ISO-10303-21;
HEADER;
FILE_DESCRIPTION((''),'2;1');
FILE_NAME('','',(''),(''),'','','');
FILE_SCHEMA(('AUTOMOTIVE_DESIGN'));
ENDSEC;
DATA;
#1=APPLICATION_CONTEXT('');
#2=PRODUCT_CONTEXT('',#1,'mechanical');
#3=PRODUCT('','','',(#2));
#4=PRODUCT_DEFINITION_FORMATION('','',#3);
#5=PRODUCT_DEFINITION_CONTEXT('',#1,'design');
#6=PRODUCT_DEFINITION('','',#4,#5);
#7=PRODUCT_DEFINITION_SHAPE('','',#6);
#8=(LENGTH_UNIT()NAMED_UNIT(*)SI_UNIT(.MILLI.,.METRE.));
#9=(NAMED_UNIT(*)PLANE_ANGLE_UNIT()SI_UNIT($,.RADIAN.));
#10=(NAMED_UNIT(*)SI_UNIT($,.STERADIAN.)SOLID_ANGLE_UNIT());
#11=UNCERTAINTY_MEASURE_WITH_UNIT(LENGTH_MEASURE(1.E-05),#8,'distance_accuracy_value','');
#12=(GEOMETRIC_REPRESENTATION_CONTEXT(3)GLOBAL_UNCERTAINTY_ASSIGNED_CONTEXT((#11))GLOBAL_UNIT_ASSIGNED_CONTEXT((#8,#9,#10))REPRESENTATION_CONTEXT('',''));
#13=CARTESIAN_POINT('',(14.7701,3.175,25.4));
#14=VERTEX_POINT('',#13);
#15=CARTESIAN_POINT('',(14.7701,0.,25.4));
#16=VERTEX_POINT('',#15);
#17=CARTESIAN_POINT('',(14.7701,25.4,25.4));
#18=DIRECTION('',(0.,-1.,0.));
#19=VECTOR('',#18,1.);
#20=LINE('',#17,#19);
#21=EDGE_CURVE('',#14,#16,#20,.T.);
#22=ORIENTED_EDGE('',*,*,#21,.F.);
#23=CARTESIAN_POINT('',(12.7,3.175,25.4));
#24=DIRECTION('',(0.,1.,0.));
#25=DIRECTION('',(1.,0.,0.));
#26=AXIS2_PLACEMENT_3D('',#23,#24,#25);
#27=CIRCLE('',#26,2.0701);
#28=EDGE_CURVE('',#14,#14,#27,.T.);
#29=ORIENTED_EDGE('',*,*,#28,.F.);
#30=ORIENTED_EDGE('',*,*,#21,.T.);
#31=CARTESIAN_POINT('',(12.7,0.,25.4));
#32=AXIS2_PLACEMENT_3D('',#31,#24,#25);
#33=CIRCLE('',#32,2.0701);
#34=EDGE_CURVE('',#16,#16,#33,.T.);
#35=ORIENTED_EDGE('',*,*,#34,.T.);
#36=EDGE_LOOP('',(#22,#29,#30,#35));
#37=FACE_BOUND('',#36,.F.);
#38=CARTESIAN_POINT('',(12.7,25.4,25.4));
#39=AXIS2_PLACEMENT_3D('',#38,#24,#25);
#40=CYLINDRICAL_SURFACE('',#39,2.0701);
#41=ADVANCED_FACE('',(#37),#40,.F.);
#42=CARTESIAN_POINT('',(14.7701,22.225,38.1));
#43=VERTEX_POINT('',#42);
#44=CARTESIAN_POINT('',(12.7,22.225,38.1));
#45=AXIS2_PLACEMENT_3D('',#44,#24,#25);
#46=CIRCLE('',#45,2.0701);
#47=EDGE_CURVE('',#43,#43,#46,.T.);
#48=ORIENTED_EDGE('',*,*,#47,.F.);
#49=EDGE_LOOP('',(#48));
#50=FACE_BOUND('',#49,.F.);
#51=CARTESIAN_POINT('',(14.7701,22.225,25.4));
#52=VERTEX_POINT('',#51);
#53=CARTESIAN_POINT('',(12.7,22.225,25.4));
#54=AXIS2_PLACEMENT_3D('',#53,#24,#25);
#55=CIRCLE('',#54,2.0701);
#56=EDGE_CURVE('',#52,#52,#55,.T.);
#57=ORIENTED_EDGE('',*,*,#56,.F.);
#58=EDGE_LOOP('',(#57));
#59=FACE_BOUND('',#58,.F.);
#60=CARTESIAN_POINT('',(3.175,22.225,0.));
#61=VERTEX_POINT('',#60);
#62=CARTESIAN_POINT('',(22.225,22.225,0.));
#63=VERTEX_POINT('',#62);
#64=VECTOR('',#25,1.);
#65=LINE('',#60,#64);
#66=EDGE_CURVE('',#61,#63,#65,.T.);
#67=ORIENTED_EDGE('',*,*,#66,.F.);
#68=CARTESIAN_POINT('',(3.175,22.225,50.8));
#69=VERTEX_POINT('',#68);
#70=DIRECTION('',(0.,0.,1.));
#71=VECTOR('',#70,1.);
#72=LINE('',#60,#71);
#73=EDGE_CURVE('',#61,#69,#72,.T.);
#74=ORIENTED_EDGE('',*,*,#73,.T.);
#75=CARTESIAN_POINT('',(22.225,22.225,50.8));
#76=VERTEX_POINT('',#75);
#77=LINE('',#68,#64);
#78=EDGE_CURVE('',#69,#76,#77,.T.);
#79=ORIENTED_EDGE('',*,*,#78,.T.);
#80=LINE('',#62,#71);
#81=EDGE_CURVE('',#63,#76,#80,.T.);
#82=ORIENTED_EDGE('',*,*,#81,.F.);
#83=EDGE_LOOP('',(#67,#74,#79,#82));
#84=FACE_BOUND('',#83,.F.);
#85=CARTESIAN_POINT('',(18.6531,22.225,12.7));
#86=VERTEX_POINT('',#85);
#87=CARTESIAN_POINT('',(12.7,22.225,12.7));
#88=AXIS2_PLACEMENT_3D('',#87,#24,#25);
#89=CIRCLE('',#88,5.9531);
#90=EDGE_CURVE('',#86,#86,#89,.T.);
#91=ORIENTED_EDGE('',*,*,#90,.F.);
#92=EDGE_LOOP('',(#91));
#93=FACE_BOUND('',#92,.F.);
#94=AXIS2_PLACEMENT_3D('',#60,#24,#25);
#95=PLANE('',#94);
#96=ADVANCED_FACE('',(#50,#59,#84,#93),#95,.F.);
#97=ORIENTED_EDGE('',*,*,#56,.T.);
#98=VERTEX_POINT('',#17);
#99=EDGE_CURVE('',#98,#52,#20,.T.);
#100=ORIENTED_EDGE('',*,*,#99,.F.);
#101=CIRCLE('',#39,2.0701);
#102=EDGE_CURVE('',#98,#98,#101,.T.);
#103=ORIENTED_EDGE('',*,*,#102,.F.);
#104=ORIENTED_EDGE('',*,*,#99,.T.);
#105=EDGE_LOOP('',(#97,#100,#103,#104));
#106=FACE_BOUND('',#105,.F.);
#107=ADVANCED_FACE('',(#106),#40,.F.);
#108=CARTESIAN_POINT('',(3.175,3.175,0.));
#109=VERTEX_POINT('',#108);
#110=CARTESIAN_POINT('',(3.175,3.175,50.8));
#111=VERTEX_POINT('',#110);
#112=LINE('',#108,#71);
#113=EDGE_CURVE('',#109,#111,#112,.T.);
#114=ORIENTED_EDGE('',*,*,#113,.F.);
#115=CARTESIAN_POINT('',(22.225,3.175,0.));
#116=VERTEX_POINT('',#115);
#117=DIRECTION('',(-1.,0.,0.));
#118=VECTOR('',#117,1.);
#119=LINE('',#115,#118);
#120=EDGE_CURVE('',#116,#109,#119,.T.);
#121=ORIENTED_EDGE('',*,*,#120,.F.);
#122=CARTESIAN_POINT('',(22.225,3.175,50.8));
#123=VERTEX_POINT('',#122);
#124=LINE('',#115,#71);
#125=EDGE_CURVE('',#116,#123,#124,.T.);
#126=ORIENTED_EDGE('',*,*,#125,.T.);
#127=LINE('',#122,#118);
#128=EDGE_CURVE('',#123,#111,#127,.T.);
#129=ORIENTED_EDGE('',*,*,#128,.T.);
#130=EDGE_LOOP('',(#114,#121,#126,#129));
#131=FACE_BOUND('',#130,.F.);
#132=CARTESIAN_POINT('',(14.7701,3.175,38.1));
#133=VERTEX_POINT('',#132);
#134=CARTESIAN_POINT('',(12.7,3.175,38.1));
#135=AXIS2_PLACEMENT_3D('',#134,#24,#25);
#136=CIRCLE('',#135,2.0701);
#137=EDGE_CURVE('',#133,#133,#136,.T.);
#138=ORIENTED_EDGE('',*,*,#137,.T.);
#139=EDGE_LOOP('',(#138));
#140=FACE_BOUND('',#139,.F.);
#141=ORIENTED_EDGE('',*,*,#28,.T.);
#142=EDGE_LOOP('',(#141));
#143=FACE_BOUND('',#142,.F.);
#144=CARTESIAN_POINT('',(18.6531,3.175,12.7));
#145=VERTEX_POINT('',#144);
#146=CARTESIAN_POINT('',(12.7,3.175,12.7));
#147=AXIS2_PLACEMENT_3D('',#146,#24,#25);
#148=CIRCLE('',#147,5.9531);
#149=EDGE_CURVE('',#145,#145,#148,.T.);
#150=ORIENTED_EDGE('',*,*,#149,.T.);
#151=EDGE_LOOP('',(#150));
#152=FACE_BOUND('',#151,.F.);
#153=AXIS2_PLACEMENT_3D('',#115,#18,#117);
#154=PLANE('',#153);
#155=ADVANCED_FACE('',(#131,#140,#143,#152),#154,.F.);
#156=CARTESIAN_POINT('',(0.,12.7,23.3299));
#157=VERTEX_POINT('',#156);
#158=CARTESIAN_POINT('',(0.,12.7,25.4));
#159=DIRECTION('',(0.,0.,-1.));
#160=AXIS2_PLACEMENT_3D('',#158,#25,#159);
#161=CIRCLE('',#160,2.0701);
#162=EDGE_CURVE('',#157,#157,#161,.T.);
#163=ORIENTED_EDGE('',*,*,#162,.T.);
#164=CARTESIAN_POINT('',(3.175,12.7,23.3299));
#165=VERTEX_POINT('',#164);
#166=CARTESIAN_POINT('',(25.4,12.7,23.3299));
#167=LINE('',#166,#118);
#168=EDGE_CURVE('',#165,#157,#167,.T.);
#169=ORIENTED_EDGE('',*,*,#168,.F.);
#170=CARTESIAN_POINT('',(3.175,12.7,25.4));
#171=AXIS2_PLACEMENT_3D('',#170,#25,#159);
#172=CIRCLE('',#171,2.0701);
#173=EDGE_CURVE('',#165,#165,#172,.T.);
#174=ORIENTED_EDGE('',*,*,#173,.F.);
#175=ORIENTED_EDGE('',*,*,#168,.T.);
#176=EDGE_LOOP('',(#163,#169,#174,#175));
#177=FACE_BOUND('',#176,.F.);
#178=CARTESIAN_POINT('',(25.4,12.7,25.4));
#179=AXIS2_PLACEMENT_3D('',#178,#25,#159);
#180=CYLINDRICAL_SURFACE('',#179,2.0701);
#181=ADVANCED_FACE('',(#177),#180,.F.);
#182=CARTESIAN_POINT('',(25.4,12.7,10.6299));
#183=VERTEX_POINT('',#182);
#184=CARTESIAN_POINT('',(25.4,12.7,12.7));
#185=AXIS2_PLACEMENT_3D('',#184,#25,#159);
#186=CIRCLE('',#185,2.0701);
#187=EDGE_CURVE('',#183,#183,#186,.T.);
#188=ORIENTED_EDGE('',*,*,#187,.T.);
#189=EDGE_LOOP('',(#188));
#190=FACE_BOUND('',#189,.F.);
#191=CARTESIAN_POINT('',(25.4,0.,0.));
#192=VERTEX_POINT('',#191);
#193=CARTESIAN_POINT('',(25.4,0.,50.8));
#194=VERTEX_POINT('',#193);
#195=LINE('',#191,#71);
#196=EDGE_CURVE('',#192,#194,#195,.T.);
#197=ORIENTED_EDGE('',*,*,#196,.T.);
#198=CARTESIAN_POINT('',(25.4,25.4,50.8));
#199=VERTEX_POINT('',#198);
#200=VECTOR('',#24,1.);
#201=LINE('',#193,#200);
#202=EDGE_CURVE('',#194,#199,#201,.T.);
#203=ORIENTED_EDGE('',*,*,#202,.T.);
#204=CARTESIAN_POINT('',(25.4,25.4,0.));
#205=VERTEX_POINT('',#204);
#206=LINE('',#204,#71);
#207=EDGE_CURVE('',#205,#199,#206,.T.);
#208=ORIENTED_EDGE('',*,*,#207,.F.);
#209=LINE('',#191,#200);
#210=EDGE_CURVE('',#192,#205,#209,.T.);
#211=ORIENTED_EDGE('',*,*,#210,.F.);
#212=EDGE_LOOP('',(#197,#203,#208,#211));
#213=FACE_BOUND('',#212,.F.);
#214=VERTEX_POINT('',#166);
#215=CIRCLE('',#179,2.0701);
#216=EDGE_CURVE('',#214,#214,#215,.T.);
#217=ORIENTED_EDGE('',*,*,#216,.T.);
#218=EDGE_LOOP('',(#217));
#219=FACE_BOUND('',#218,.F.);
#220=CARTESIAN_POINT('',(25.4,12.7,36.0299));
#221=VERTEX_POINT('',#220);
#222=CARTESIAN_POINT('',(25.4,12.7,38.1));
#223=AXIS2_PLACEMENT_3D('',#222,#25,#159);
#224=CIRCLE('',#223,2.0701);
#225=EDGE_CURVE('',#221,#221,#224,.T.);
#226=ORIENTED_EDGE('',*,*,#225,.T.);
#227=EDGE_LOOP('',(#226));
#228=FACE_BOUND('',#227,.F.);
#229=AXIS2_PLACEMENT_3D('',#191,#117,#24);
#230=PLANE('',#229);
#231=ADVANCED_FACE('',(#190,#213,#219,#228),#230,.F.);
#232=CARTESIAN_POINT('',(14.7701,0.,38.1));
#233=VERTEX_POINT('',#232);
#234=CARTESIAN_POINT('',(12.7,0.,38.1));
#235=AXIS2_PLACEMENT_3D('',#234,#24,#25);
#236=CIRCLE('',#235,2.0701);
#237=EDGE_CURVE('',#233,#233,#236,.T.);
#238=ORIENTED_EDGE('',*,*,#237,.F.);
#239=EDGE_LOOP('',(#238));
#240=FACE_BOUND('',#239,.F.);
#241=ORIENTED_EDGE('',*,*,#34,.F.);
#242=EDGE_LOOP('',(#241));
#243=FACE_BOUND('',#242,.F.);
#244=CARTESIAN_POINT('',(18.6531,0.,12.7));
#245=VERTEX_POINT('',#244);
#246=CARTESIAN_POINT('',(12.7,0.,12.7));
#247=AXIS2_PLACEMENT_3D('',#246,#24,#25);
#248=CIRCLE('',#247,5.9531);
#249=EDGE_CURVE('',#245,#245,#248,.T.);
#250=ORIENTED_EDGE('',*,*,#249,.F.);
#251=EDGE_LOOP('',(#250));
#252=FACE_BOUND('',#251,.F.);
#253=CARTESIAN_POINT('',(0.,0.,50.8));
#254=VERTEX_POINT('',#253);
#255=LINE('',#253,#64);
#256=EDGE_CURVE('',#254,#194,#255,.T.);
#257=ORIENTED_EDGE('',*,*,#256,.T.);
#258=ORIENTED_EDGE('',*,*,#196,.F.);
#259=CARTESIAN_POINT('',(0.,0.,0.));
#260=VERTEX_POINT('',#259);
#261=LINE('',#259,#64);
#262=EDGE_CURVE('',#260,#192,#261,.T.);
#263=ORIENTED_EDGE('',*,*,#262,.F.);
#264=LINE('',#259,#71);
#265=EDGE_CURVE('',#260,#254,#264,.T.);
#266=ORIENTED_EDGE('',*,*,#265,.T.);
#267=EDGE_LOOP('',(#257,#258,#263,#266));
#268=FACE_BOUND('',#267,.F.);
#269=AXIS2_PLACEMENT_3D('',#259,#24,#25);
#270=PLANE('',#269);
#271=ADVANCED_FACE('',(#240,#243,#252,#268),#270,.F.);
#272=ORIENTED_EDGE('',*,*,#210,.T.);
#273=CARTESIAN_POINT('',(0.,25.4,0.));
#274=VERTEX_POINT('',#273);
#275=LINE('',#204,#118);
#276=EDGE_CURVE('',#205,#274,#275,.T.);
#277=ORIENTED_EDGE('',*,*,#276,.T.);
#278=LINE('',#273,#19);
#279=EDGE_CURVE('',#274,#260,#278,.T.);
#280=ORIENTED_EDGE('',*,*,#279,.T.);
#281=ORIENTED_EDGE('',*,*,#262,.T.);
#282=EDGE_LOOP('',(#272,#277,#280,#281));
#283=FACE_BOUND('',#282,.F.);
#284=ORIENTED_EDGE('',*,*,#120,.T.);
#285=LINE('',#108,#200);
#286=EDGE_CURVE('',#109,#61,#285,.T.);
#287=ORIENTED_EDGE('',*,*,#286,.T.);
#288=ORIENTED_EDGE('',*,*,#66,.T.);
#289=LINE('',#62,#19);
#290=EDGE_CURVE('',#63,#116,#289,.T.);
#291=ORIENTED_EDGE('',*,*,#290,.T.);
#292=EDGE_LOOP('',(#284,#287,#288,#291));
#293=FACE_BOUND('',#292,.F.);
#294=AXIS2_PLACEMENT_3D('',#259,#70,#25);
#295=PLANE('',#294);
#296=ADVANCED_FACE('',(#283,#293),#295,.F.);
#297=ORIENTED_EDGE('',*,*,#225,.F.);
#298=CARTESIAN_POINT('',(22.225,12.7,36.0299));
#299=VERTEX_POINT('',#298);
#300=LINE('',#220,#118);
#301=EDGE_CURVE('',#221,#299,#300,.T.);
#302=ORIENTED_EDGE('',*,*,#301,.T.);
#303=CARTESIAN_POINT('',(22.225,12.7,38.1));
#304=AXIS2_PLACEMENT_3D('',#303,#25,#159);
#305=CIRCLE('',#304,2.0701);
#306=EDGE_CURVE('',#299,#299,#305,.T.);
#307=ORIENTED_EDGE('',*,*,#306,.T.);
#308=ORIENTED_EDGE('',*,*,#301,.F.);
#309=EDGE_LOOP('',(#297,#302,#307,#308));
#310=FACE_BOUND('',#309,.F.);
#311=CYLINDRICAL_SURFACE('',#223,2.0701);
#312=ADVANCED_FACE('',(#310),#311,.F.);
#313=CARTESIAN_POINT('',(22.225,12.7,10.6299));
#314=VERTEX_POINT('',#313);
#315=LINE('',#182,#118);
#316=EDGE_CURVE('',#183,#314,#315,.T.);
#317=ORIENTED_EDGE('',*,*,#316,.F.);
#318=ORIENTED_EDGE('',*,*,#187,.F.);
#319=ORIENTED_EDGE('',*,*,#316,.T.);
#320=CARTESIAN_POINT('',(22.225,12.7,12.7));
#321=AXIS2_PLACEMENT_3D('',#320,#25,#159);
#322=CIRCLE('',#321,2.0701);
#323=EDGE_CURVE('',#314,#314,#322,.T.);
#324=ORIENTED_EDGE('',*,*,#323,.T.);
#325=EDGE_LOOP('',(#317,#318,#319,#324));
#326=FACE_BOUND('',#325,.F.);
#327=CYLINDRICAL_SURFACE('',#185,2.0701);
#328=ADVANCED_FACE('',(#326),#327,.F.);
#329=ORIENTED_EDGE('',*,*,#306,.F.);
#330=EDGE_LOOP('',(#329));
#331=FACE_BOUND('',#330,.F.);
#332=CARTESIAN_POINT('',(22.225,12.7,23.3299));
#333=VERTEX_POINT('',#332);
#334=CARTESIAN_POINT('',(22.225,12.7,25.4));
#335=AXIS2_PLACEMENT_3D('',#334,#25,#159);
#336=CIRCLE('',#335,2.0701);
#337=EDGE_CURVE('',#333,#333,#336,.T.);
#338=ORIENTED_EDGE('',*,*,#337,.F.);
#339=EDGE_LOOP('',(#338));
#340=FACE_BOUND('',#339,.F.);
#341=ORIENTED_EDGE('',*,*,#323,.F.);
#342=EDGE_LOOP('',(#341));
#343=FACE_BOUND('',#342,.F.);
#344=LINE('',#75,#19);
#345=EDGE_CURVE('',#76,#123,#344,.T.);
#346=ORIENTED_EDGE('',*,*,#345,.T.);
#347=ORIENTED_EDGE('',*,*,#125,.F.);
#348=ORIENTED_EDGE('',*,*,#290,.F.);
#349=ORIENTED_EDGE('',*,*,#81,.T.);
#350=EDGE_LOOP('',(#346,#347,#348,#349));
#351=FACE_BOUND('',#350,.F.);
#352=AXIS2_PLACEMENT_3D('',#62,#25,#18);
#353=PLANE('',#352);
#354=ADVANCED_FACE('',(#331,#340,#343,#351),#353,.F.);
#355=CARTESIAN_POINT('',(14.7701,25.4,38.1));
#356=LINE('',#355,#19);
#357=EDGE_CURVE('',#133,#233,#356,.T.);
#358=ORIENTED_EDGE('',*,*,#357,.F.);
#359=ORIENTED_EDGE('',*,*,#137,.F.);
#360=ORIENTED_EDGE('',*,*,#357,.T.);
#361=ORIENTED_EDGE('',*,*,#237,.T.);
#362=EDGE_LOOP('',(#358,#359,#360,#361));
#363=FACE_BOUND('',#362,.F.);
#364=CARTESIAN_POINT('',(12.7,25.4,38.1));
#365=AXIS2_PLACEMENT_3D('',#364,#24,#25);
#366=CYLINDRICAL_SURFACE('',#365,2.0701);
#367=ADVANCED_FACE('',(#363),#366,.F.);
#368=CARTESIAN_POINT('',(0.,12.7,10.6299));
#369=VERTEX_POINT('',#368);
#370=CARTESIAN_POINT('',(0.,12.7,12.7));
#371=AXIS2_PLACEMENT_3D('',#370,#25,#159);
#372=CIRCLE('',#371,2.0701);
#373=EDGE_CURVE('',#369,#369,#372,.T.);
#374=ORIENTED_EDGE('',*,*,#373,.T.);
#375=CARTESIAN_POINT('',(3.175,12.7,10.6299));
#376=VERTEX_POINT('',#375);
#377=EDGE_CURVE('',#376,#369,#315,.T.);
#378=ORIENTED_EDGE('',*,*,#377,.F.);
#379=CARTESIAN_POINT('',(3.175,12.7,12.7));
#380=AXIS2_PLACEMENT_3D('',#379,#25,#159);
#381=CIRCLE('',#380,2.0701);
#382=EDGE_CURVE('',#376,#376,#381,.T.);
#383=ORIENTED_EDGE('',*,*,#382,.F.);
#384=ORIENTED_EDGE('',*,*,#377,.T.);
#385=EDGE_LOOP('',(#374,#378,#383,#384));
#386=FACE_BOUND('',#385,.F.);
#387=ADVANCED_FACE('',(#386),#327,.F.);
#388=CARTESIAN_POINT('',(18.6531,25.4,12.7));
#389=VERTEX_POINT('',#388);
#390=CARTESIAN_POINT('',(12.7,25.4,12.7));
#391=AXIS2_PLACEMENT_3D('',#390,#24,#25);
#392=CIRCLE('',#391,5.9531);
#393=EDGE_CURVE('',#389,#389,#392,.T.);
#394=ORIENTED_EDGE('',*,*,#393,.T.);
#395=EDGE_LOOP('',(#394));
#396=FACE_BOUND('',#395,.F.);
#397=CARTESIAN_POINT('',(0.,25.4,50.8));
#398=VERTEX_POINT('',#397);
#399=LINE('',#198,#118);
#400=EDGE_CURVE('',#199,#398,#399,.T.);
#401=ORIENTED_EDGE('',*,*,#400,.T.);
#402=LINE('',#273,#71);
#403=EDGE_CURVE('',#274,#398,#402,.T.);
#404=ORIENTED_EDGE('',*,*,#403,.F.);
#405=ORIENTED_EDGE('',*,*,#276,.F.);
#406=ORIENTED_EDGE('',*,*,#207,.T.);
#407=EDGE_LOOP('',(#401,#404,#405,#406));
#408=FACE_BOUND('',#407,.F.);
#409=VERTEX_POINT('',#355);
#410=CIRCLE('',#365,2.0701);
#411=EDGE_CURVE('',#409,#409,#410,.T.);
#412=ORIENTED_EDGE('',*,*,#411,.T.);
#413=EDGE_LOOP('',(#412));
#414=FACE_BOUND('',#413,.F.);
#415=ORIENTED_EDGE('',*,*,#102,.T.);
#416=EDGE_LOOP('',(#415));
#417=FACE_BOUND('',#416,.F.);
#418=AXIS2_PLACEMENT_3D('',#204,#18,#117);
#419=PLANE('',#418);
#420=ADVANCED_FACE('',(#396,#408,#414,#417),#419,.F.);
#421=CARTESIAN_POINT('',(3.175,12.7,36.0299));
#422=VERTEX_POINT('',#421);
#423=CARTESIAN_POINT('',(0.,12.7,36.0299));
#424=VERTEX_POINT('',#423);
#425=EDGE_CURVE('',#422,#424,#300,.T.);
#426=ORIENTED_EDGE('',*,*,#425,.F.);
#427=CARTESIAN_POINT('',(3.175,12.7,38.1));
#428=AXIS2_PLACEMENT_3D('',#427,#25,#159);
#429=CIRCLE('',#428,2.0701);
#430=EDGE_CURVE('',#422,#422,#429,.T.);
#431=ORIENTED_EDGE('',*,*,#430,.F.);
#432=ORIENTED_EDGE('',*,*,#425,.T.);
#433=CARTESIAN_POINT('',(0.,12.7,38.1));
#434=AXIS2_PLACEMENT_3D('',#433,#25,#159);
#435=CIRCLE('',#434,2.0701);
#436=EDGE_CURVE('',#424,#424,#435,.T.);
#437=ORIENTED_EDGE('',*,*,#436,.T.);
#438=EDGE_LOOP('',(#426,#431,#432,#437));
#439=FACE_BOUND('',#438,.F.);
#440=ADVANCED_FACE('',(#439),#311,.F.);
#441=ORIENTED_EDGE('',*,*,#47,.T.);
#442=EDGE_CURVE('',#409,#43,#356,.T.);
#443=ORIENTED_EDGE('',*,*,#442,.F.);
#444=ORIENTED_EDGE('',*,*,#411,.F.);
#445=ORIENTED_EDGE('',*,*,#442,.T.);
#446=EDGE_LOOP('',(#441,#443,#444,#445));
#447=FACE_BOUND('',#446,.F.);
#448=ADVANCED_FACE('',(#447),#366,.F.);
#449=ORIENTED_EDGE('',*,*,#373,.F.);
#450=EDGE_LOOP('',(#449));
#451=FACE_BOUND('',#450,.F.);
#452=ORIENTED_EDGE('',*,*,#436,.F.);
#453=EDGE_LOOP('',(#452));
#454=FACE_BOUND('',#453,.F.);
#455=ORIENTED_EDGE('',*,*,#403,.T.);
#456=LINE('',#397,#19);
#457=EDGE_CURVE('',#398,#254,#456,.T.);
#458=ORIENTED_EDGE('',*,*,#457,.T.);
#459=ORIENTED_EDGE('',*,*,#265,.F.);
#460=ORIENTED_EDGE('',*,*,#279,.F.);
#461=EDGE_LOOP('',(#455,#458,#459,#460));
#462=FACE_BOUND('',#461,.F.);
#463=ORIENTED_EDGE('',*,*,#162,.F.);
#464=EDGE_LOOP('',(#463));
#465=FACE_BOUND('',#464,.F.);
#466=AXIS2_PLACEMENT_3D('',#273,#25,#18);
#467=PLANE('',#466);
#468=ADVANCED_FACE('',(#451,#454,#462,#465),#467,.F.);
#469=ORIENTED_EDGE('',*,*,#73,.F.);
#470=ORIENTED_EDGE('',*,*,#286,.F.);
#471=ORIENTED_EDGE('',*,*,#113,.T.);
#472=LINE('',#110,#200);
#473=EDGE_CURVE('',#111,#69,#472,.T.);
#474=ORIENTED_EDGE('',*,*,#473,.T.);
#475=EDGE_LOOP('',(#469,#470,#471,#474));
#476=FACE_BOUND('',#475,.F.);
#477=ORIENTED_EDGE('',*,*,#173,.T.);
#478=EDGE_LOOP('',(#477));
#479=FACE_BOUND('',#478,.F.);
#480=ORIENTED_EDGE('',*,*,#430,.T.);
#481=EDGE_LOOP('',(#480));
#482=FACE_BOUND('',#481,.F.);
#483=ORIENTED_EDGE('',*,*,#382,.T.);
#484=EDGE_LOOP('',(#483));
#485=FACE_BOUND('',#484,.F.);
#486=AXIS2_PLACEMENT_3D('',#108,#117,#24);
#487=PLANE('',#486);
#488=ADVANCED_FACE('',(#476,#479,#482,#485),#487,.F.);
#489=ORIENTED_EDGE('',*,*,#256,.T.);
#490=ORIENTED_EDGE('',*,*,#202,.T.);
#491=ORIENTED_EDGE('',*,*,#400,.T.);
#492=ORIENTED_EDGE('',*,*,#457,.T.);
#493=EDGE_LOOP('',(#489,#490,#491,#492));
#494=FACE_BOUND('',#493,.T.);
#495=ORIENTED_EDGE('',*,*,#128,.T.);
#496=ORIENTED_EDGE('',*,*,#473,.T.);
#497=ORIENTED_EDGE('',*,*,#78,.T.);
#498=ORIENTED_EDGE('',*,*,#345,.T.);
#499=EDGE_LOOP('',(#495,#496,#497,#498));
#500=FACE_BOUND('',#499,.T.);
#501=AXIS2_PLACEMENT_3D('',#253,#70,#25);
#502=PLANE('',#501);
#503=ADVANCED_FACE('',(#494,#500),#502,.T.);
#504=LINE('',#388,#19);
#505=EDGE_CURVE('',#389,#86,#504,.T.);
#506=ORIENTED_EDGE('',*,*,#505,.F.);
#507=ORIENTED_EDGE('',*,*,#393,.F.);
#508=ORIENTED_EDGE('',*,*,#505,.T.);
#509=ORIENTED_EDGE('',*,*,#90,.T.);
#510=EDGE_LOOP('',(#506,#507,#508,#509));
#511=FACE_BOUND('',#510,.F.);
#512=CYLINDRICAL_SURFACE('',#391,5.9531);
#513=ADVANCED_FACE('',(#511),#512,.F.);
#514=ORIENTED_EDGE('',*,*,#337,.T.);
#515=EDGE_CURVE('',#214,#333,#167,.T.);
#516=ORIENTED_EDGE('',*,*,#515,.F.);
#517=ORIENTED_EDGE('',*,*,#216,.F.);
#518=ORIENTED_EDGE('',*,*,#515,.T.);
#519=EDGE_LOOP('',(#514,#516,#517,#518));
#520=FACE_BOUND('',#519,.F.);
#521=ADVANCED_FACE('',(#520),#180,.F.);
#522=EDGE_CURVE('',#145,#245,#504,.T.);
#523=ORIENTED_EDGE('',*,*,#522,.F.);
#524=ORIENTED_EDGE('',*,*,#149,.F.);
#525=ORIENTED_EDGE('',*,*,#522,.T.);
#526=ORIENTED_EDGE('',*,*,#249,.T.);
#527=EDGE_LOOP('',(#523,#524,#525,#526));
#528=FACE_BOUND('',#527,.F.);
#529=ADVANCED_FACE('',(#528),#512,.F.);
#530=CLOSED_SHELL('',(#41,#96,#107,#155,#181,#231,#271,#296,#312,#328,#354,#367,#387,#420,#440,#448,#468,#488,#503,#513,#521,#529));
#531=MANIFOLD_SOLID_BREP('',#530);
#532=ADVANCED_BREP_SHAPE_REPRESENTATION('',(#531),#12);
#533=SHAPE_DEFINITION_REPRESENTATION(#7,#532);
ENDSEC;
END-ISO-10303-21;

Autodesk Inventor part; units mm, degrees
ref_plane "YZ Plane" through (0, 0, 0) normal (1, 0, 0) x (0, 1, 0)
ref_plane "XZ Plane" through (0, 0, 0) normal (0, 1, 0) x (-1, 0, 0)
ref_plane "XY Plane" through (0, 0, 0) normal (0, 0, 1) x (1, 0, 0)
sketch "Sketch1" plane through (0, 0, 0) normal (0, 0, 1) x (1, 0, 0)
  line L0 (0, 0) -> (25.4, 0)
  line L1 (25.4, 0) -> (25.4, 25.4)
  line L2 (25.4, 25.4) -> (0, 25.4)
  line L3 (0, 25.4) -> (0, 0)
  line L4 (3.175, 22.225) -> (22.225, 22.225)
  line L5 (22.225, 22.225) -> (22.225, 3.175)
  line L6 (22.225, 3.175) -> (3.175, 3.175)
  line L7 (3.175, 3.175) -> (3.175, 22.225)
  dimension "d0" = 25.4
  dimension "d1" = 25.4
  dimension "d2" = 3.175
extrude "Extrusion1" add sketch "Sketch1" along normal blind 50.8
sketch "Sketch2" plane through (25.4, 0, 0) normal (1, 0, 0) x (0, 0, -1)
  line L0 (-50.8, 0) -> (-50.8, 25.4) projected
  line L1 (0, 0) -> (-50.8, 0) projected
  circle A0 centre (-38.1, 12.7) radius 2.0701
  circle A1 centre (-25.4, 12.7) radius 2.0701
  circle A2 centre (-12.7, 12.7) radius 2.0701
  dimension "d5" = 4.1402
  dimension "d6" = 12.7
  dimension "d7" = 12.7
  dimension "d10" = 12.7
extrude "Extrusion2" cut sketch "Sketch2" against normal blind 50.8
sketch "Sketch3" plane through (0, 25.4, 0) normal (0, 1, 0) x (1, 0, 0)
  line L0 (25.4, -50.8) -> (0, -50.8) projected
  line L1 (25.4, 0) -> (25.4, -50.8) projected
  circle A0 centre (12.7, -38.1) radius 2.0701
  circle A1 centre (12.7, -25.4) radius 2.0701
  circle A2 centre (12.7, -12.7) radius 5.9531
  dimension "d17" = 4.1402
  dimension "d18" = 12.7
  dimension "d19" = 12.7
  dimension "d22" = 12.7
  dimension "d27" = 11.9062
  dimension "d28" = 12.7
  dimension "d29" = 12.7
extrude "Extrusion3" cut sketch "Sketch3" against normal blind 50.8
properties part number "2 in 3-8 in Hex Shaft Holders (4)"
